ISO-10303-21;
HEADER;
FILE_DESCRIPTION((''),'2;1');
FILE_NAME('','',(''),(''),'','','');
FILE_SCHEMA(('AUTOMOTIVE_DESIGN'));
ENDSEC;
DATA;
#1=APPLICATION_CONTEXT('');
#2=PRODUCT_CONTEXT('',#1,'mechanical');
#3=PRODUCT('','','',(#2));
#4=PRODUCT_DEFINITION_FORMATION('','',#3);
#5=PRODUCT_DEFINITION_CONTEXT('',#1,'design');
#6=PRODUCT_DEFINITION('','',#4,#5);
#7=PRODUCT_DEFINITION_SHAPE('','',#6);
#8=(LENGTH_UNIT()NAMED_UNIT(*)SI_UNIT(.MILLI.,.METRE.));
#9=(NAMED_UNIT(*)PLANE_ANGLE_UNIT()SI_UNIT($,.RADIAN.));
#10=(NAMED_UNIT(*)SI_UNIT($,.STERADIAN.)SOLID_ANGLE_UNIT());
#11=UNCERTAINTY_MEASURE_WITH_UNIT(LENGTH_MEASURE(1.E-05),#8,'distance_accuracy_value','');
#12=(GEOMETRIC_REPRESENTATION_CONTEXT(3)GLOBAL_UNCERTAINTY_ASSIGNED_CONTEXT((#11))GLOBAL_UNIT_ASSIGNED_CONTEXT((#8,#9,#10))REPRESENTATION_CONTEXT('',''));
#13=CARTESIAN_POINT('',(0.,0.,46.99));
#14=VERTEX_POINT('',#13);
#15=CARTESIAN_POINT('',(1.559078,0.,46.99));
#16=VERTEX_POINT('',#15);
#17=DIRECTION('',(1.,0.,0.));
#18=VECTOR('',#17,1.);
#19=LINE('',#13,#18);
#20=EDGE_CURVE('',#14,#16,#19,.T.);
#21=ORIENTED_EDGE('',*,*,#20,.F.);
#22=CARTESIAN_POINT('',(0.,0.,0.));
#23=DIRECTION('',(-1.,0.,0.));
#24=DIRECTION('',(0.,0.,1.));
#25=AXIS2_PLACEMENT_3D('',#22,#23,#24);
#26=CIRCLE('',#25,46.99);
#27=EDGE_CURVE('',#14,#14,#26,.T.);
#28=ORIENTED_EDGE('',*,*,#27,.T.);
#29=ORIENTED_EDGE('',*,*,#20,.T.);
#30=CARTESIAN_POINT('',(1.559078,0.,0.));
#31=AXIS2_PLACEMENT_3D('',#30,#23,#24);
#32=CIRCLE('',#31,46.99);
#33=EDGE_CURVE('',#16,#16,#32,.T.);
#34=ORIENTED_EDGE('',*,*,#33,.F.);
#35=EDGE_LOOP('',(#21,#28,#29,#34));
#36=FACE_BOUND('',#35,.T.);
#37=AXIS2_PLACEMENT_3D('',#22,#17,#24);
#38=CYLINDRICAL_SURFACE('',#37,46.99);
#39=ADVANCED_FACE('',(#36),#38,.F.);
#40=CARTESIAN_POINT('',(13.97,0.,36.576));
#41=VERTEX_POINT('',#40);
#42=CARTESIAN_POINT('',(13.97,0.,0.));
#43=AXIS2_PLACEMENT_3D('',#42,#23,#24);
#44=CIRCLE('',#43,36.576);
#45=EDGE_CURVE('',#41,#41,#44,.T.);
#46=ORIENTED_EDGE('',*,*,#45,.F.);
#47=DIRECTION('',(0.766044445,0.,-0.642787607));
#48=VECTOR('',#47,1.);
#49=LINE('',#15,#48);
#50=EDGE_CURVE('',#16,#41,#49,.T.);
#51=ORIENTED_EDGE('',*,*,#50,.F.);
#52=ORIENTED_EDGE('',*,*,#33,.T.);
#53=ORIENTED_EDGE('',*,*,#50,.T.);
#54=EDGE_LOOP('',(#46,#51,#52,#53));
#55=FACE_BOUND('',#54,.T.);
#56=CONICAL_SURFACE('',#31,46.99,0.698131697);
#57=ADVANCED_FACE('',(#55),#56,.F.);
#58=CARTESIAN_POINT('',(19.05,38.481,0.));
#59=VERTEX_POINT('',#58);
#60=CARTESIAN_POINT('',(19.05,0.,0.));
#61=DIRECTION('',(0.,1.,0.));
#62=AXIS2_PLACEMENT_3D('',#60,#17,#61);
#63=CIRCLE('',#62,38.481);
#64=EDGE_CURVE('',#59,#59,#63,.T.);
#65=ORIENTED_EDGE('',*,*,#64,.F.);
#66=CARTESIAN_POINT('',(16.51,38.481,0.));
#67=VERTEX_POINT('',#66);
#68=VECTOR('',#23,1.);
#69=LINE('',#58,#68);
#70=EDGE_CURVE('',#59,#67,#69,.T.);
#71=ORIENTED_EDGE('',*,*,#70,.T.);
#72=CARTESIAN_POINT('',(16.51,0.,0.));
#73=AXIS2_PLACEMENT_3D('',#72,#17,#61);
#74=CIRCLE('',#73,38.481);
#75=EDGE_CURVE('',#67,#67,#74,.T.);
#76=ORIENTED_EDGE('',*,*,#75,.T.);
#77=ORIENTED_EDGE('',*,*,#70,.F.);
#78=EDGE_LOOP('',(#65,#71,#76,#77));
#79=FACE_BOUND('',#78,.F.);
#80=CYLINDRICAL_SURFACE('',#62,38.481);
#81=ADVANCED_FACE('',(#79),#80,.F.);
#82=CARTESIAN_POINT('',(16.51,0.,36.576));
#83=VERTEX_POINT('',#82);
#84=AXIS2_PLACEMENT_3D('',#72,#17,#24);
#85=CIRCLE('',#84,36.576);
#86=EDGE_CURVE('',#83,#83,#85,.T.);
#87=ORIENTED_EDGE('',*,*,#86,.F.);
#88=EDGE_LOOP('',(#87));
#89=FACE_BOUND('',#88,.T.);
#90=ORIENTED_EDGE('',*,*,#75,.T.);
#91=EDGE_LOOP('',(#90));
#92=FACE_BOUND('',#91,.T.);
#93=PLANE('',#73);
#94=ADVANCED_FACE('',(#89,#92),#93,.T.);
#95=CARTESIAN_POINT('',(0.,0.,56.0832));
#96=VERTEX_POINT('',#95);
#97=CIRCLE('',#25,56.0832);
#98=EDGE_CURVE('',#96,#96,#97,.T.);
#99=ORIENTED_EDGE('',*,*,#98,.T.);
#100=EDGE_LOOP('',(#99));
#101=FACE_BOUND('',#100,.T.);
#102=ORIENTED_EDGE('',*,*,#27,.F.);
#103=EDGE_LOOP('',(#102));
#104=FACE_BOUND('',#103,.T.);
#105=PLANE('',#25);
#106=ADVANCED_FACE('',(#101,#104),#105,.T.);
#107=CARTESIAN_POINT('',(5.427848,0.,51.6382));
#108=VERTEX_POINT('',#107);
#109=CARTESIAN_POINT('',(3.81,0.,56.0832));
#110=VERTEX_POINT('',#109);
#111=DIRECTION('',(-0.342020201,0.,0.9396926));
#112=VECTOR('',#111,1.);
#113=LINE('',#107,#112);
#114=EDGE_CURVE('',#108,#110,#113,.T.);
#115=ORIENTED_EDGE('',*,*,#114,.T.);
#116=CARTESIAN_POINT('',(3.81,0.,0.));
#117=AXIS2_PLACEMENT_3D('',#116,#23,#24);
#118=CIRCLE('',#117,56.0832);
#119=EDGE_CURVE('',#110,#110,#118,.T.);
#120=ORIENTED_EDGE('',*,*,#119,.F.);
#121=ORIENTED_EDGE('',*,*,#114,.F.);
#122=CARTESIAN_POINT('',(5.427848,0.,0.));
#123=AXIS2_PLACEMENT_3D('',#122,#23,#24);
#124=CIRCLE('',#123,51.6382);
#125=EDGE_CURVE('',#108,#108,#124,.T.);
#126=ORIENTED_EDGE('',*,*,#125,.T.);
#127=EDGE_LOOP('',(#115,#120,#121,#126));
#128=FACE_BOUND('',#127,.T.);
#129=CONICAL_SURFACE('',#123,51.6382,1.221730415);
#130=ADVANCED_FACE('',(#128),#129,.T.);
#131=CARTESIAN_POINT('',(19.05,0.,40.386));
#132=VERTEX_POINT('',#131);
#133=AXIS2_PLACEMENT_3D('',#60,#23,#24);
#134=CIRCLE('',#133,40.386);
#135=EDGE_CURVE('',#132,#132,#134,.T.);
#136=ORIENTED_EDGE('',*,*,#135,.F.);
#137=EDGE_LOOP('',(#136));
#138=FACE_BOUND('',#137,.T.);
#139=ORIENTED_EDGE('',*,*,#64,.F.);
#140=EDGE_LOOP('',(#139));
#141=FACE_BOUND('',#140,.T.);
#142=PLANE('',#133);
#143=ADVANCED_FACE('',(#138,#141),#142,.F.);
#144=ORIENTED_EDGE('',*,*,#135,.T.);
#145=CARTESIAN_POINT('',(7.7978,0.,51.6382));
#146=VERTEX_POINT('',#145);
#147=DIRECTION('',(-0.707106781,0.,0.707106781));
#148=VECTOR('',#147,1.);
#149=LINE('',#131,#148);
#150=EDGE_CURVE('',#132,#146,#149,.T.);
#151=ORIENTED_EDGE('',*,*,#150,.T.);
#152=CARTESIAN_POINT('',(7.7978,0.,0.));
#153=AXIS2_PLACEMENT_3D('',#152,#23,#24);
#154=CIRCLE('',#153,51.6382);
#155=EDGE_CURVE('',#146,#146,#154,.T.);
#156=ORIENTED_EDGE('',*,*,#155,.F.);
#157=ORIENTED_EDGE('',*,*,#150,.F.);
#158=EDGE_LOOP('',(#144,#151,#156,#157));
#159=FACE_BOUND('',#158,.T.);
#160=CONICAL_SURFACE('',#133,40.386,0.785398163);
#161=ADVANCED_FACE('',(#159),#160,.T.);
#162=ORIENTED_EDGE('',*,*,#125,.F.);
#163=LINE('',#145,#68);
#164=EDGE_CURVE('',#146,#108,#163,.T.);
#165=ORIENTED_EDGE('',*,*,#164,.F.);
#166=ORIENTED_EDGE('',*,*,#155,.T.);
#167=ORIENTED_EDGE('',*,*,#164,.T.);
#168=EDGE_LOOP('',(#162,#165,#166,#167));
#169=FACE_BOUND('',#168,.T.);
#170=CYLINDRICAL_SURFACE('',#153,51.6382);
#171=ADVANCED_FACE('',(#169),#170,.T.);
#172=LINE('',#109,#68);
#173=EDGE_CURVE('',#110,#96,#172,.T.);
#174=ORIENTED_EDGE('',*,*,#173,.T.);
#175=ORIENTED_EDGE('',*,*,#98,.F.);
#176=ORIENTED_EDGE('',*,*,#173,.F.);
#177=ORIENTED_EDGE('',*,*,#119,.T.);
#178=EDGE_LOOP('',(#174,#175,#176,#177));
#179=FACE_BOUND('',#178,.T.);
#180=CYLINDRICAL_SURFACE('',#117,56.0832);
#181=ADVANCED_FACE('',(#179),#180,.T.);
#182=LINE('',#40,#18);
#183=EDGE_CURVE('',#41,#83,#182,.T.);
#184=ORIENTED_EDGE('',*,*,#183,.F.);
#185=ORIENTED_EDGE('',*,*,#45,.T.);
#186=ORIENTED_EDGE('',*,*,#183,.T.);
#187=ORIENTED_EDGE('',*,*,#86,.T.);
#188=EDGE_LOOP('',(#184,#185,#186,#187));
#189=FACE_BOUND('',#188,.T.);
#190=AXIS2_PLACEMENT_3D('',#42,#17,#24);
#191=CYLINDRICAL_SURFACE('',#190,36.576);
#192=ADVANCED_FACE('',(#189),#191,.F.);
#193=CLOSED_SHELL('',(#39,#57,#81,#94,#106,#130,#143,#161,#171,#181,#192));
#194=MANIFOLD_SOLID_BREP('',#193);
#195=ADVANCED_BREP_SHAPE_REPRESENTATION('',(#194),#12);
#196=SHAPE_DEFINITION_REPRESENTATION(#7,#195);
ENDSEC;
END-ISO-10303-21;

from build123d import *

# Parameters (mm, degrees)
F2_R     = 38.481
F3_DEPTH = 2.54


with BuildPart() as f1:
    # F0 (on Front) → F1 (revolve)
    with BuildSketch(Plane.XZ):
        Polygon((3.81, 56.0832), (0, 56.0832), (0, 46.99), (1.559078, 46.99), (13.97, 36.576), (19.05, 36.576), (19.05, 40.386), (7.7978, 51.6382), (5.427848, 51.6382), align=None)
    revolve(axis=Axis((33.549171, 0, 0), (-1, 0, 0)))

    # F2 (on face) → F3 (cut)
    with BuildSketch(Plane.YZ.offset(19.05)):
        Circle(F2_R)
    extrude(amount=-F3_DEPTH, mode=Mode.SUBTRACT)


solid = f1.part
